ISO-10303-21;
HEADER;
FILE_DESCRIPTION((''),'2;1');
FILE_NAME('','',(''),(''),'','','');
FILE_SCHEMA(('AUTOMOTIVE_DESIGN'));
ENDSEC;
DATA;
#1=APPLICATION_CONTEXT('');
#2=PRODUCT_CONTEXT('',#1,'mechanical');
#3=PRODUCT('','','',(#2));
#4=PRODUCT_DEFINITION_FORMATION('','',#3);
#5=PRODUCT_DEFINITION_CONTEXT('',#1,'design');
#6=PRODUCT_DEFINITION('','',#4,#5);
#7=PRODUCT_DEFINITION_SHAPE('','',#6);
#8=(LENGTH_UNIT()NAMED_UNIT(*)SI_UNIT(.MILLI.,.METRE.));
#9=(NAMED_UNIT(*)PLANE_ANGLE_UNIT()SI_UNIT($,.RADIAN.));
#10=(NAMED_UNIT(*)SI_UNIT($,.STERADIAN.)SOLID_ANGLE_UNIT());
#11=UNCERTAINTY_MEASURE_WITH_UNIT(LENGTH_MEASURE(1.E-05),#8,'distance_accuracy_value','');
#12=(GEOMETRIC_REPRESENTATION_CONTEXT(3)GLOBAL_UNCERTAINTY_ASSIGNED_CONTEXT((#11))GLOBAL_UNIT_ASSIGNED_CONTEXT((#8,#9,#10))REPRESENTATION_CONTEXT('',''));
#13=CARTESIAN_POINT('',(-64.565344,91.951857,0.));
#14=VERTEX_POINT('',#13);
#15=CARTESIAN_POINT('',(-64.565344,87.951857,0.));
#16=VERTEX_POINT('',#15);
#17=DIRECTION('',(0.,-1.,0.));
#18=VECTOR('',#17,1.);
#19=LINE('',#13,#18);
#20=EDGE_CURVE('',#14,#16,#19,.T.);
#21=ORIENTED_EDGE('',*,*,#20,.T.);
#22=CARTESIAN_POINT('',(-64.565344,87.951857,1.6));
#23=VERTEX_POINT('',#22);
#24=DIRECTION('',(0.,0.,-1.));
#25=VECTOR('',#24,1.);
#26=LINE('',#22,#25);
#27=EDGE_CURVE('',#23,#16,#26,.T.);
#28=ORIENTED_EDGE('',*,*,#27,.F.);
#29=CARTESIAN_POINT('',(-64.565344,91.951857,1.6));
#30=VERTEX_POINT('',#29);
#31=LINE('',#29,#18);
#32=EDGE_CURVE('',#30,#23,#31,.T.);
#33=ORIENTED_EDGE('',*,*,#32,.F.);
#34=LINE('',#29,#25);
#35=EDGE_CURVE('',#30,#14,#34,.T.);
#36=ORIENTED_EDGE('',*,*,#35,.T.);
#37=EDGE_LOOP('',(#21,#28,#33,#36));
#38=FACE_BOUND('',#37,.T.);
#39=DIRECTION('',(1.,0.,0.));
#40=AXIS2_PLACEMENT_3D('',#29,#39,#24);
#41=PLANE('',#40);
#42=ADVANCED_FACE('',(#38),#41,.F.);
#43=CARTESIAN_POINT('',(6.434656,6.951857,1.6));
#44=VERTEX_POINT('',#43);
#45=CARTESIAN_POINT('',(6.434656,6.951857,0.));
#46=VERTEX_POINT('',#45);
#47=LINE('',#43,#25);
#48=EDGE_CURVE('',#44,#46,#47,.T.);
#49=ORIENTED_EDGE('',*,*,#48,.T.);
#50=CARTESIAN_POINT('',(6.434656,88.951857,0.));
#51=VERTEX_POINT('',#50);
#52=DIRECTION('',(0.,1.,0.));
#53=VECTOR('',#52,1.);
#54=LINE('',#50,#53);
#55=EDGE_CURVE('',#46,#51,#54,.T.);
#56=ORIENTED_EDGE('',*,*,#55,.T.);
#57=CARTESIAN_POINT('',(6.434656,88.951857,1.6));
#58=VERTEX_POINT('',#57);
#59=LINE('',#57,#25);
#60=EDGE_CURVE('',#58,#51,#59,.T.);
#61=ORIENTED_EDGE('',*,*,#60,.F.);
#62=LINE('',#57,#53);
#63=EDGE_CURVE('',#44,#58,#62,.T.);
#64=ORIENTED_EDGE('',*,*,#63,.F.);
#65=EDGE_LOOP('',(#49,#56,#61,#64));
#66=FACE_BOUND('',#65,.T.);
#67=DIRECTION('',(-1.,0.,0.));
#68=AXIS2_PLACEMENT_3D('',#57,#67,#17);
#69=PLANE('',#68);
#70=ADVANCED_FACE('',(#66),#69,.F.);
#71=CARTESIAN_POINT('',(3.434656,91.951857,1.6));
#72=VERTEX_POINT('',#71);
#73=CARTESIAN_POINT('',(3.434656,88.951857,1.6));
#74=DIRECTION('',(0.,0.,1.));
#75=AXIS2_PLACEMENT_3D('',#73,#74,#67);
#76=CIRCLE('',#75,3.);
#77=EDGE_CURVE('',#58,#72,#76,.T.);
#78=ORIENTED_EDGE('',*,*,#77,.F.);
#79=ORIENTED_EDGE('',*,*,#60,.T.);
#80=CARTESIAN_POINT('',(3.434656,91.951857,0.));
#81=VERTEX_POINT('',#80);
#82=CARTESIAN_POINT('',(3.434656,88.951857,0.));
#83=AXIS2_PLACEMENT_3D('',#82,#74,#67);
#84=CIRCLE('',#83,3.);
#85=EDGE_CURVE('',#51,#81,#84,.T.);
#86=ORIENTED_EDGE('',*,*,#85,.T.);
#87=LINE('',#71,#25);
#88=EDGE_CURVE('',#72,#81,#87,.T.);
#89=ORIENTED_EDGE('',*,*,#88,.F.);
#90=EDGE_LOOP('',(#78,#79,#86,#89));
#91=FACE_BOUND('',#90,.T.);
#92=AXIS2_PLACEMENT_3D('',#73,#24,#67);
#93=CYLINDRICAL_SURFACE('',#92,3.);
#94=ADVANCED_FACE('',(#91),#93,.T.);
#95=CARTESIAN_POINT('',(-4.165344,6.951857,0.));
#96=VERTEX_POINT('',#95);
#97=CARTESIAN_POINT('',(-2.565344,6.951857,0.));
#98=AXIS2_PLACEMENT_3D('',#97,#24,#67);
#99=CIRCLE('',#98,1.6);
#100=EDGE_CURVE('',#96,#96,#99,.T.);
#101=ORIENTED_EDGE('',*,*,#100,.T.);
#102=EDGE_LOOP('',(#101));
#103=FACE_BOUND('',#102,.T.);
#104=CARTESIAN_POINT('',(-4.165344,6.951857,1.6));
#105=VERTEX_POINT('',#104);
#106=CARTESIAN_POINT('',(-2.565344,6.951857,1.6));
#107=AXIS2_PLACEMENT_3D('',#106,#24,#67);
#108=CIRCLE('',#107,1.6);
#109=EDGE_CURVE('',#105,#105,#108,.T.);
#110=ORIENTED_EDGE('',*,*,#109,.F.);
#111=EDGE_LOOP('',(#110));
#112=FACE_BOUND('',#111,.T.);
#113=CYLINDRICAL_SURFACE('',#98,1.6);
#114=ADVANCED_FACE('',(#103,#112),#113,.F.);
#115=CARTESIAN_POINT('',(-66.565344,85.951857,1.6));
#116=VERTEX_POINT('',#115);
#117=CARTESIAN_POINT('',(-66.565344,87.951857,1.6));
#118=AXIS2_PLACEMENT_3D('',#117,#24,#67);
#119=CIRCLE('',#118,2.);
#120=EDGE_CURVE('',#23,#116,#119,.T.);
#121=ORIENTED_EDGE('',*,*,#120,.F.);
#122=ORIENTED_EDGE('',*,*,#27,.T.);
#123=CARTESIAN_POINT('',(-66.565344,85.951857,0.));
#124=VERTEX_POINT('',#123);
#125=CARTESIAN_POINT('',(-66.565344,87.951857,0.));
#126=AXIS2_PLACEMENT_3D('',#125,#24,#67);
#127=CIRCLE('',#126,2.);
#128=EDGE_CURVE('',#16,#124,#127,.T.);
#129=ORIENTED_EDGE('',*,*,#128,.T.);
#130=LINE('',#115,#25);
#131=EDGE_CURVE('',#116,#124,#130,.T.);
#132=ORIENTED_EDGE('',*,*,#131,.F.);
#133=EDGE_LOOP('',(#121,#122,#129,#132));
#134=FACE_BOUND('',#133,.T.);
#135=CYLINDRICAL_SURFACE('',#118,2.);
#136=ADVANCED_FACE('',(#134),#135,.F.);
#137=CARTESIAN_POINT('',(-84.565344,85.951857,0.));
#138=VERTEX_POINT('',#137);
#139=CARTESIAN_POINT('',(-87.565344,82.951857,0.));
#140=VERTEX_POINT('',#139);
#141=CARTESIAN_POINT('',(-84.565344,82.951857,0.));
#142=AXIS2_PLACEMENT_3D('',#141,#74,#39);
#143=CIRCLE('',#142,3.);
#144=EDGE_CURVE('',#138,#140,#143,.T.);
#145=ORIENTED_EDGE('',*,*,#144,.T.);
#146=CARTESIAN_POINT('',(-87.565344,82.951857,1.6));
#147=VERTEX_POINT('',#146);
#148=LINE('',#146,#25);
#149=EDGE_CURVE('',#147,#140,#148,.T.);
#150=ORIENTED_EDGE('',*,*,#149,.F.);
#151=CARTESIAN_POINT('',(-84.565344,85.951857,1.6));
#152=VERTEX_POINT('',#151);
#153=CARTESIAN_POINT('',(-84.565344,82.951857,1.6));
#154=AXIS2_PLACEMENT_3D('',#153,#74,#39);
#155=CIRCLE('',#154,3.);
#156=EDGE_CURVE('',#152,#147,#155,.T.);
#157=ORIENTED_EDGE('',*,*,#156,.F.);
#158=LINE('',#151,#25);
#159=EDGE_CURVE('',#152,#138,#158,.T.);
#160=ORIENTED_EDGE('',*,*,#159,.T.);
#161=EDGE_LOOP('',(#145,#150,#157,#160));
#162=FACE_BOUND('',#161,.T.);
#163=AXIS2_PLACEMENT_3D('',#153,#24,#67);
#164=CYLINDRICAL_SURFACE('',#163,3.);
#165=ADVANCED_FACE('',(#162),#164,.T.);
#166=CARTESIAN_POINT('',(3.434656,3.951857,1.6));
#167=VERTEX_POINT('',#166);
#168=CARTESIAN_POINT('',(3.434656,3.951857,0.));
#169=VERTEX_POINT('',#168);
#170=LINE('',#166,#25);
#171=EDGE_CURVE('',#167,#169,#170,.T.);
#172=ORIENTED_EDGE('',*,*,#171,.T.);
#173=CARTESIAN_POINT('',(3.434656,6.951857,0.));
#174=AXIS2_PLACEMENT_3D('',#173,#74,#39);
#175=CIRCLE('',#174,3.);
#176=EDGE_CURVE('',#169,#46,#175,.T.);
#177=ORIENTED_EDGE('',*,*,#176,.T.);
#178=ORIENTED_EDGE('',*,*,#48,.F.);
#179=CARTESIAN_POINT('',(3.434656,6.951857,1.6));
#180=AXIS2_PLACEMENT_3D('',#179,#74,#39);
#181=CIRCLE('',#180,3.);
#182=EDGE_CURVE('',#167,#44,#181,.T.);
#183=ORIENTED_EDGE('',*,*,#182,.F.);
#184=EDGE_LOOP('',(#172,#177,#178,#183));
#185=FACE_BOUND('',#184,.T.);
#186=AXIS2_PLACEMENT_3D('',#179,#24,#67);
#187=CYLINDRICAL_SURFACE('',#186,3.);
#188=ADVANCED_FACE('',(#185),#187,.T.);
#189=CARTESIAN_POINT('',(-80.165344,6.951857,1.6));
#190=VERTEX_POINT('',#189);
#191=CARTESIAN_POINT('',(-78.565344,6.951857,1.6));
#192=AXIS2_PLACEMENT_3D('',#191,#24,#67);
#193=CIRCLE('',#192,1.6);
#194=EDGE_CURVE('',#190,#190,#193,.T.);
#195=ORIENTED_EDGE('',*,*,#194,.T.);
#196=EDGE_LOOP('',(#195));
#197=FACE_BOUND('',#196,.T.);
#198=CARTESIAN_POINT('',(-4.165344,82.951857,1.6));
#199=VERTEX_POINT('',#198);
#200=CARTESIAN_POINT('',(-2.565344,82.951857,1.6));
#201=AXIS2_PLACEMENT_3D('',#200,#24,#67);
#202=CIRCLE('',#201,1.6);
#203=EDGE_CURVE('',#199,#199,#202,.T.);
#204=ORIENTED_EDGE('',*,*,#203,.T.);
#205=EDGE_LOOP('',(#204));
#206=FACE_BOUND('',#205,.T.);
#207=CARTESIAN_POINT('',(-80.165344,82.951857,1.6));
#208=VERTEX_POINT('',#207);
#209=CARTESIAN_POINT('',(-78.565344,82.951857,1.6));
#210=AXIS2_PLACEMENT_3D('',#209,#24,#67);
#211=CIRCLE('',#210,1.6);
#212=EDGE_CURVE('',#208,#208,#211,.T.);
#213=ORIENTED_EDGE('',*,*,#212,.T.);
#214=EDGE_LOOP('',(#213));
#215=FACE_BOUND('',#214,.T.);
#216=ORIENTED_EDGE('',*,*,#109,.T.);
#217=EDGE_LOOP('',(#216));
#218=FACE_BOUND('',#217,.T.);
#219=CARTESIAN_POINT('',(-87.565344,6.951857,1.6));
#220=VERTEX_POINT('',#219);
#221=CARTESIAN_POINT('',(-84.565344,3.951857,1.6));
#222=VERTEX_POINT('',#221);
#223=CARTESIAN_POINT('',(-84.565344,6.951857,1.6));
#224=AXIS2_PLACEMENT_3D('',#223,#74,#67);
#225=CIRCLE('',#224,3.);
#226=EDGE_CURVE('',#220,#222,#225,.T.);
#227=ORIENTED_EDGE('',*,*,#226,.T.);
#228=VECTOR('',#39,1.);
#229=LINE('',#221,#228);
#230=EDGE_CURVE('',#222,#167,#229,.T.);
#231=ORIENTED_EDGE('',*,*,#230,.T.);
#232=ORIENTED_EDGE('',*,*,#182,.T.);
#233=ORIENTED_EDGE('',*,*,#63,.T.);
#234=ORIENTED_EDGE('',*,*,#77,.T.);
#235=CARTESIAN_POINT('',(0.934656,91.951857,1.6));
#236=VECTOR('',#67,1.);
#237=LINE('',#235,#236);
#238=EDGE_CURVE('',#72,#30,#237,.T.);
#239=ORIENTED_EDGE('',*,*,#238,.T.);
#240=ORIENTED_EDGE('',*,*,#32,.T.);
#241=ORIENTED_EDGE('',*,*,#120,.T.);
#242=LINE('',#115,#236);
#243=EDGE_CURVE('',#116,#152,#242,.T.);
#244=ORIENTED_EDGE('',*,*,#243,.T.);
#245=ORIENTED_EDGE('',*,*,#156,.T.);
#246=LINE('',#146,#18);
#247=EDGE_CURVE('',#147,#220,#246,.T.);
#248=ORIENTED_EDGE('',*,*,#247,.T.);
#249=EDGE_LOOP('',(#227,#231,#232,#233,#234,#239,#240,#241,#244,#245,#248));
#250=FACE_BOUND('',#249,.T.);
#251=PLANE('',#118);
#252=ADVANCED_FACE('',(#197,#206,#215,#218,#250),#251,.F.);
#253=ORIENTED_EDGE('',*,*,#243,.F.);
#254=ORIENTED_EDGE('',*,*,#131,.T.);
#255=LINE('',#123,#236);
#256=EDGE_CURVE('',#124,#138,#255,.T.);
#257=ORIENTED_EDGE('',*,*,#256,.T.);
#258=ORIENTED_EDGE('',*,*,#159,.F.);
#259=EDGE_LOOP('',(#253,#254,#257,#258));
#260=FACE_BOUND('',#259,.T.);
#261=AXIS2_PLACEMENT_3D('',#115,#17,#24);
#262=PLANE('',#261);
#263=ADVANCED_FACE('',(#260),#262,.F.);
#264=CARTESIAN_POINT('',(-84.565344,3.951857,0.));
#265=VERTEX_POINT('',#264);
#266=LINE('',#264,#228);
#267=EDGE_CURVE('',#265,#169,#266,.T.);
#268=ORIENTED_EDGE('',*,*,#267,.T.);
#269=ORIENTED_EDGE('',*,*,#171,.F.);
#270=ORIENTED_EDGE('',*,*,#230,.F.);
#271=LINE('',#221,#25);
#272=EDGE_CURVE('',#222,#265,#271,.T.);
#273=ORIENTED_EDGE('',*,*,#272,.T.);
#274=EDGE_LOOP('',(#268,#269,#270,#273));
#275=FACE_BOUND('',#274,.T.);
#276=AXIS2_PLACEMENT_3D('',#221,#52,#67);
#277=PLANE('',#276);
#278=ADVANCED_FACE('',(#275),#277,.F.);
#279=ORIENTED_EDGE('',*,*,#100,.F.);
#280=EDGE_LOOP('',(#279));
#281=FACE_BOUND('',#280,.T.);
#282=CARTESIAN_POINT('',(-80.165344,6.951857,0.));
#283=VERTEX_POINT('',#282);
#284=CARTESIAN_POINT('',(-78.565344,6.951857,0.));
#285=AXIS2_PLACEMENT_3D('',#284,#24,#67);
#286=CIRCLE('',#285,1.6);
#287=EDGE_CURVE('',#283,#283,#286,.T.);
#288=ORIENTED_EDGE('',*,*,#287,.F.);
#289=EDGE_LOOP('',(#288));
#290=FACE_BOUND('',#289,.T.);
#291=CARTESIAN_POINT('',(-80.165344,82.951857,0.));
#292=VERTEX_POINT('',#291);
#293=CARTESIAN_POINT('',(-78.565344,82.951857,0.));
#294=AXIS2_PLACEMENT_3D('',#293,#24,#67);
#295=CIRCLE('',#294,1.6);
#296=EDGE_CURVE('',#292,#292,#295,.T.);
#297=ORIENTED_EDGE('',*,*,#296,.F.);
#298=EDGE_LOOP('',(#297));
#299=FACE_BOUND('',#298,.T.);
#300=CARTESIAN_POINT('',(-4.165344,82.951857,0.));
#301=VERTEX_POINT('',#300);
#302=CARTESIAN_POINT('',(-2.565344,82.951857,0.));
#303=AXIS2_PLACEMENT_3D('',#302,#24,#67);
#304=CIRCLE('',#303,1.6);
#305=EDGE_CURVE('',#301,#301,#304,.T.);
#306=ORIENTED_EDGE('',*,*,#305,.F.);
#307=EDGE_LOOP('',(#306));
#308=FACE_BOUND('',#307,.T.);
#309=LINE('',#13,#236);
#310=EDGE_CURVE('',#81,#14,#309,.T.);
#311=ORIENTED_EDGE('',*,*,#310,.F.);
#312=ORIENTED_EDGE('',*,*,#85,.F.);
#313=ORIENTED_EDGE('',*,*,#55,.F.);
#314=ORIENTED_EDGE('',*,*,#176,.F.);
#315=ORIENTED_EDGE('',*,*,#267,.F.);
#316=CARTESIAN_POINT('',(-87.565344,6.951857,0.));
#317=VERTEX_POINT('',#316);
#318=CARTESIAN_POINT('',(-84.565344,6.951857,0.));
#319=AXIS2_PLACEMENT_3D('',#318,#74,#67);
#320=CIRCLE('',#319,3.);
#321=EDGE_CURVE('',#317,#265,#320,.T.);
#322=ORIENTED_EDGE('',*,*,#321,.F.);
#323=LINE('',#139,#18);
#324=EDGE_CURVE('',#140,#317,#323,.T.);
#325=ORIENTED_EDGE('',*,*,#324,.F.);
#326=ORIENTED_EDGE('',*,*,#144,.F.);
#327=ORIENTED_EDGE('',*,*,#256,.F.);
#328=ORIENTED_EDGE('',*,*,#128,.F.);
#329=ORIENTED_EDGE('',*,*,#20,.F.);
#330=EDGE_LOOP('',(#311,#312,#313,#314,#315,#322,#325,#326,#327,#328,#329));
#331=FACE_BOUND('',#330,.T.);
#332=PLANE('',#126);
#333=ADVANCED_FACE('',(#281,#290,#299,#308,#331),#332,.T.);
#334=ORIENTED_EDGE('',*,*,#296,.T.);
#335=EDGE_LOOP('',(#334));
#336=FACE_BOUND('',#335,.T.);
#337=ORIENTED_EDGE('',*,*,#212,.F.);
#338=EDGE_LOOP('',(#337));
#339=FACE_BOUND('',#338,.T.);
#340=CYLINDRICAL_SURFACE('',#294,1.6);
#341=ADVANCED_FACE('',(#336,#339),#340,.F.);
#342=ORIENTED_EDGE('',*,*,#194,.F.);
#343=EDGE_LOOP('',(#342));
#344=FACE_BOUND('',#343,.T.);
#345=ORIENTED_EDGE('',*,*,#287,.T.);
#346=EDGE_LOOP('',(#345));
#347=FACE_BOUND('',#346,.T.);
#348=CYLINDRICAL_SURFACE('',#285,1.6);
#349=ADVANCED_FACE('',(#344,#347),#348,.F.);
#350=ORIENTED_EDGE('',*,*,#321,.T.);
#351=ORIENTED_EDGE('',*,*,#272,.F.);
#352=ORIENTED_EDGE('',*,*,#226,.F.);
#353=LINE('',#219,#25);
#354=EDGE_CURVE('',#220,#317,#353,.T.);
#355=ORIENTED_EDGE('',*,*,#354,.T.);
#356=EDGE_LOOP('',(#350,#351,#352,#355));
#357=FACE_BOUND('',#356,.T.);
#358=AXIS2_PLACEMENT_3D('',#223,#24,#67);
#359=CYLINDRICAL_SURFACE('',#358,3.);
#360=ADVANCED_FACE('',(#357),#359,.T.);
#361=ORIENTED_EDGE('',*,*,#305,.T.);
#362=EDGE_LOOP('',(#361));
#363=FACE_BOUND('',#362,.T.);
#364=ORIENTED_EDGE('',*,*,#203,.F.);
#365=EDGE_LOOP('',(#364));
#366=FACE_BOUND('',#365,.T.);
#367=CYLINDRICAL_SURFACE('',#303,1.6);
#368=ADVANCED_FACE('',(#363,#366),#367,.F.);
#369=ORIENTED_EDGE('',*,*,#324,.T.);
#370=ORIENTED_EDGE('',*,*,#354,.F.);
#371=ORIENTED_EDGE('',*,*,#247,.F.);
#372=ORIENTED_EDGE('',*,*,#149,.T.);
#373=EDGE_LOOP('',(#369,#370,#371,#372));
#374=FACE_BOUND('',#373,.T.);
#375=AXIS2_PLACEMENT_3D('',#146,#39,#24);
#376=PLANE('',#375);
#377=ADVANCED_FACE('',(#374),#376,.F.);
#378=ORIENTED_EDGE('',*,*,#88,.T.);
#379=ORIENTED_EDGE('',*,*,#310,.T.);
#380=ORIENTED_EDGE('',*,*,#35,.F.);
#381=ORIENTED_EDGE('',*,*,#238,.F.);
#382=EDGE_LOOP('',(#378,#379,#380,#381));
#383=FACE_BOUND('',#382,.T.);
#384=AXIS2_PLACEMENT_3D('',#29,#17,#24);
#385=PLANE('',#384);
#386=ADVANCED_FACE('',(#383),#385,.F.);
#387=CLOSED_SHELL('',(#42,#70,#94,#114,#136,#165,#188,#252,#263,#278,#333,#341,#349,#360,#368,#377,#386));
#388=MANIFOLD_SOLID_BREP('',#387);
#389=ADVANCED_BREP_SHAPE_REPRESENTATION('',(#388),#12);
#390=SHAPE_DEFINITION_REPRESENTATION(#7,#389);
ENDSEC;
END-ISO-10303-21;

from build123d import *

# Parameters (mm, degrees)
BOSS_EXTRUDE1_DEPTH        = 1.6
F_3_2_3_2_DIAMETER_HOLE3_D = 3.2


with BuildPart() as part:
    # Sketch1 → Boss-Extrude1 (new body)
    with BuildSketch(Plane.XY):
        with BuildLine():
            Line((-87.56534388, 82.95185693), (-87.56534388, 6.95185693))
            ThreePointArc((-87.56534388, 6.95185693), (-86.686664224, 4.830536587), (-84.56534388, 3.95185693))
            Line((-84.56534388, 3.95185693), (3.43465612, 3.95185693))
            ThreePointArc((3.43465612, 3.95185693), (5.555976464, 4.830536587), (6.43465612, 6.95185693))
            Line((6.43465612, 6.95185693), (6.43465612, 88.95185693))
            ThreePointArc((6.43465612, 88.95185693), (5.555976464, 91.073177274), (3.43465612, 91.95185693))
            Line((3.43465612, 91.95185693), (0.93465612, 91.95185693))
            Line((0.93465612, 91.95185693), (-64.56534388, 91.95185693))
            Line((-64.56534388, 91.95185693), (-64.56534388, 87.95185693))
            ThreePointArc((-64.56534388, 87.95185693), (-65.151130318, 86.537643368), (-66.56534388, 85.95185693))
            Line((-66.56534388, 85.95185693), (-84.56534388, 85.95185693))
            ThreePointArc((-84.56534388, 85.95185693), (-86.686664224, 85.073177274), (-87.56534388, 82.95185693))
        make_face()
    extrude(amount=BOSS_EXTRUDE1_DEPTH)

    # Ø3.2 (3.2) Diameter Hole3 (through all)
    with Locations(Plane(origin=(0, 0, 0), x_dir=(-1, 0, 0), z_dir=(0, 0, -1))):
        with Locations((78.56534388, 6.95185693), (78.56534388, 82.95185693), (2.56534388, 82.95185693), (2.56534388, 6.95185693)):
            Hole(F_3_2_3_2_DIAMETER_HOLE3_D / 2)


solid = part.part
